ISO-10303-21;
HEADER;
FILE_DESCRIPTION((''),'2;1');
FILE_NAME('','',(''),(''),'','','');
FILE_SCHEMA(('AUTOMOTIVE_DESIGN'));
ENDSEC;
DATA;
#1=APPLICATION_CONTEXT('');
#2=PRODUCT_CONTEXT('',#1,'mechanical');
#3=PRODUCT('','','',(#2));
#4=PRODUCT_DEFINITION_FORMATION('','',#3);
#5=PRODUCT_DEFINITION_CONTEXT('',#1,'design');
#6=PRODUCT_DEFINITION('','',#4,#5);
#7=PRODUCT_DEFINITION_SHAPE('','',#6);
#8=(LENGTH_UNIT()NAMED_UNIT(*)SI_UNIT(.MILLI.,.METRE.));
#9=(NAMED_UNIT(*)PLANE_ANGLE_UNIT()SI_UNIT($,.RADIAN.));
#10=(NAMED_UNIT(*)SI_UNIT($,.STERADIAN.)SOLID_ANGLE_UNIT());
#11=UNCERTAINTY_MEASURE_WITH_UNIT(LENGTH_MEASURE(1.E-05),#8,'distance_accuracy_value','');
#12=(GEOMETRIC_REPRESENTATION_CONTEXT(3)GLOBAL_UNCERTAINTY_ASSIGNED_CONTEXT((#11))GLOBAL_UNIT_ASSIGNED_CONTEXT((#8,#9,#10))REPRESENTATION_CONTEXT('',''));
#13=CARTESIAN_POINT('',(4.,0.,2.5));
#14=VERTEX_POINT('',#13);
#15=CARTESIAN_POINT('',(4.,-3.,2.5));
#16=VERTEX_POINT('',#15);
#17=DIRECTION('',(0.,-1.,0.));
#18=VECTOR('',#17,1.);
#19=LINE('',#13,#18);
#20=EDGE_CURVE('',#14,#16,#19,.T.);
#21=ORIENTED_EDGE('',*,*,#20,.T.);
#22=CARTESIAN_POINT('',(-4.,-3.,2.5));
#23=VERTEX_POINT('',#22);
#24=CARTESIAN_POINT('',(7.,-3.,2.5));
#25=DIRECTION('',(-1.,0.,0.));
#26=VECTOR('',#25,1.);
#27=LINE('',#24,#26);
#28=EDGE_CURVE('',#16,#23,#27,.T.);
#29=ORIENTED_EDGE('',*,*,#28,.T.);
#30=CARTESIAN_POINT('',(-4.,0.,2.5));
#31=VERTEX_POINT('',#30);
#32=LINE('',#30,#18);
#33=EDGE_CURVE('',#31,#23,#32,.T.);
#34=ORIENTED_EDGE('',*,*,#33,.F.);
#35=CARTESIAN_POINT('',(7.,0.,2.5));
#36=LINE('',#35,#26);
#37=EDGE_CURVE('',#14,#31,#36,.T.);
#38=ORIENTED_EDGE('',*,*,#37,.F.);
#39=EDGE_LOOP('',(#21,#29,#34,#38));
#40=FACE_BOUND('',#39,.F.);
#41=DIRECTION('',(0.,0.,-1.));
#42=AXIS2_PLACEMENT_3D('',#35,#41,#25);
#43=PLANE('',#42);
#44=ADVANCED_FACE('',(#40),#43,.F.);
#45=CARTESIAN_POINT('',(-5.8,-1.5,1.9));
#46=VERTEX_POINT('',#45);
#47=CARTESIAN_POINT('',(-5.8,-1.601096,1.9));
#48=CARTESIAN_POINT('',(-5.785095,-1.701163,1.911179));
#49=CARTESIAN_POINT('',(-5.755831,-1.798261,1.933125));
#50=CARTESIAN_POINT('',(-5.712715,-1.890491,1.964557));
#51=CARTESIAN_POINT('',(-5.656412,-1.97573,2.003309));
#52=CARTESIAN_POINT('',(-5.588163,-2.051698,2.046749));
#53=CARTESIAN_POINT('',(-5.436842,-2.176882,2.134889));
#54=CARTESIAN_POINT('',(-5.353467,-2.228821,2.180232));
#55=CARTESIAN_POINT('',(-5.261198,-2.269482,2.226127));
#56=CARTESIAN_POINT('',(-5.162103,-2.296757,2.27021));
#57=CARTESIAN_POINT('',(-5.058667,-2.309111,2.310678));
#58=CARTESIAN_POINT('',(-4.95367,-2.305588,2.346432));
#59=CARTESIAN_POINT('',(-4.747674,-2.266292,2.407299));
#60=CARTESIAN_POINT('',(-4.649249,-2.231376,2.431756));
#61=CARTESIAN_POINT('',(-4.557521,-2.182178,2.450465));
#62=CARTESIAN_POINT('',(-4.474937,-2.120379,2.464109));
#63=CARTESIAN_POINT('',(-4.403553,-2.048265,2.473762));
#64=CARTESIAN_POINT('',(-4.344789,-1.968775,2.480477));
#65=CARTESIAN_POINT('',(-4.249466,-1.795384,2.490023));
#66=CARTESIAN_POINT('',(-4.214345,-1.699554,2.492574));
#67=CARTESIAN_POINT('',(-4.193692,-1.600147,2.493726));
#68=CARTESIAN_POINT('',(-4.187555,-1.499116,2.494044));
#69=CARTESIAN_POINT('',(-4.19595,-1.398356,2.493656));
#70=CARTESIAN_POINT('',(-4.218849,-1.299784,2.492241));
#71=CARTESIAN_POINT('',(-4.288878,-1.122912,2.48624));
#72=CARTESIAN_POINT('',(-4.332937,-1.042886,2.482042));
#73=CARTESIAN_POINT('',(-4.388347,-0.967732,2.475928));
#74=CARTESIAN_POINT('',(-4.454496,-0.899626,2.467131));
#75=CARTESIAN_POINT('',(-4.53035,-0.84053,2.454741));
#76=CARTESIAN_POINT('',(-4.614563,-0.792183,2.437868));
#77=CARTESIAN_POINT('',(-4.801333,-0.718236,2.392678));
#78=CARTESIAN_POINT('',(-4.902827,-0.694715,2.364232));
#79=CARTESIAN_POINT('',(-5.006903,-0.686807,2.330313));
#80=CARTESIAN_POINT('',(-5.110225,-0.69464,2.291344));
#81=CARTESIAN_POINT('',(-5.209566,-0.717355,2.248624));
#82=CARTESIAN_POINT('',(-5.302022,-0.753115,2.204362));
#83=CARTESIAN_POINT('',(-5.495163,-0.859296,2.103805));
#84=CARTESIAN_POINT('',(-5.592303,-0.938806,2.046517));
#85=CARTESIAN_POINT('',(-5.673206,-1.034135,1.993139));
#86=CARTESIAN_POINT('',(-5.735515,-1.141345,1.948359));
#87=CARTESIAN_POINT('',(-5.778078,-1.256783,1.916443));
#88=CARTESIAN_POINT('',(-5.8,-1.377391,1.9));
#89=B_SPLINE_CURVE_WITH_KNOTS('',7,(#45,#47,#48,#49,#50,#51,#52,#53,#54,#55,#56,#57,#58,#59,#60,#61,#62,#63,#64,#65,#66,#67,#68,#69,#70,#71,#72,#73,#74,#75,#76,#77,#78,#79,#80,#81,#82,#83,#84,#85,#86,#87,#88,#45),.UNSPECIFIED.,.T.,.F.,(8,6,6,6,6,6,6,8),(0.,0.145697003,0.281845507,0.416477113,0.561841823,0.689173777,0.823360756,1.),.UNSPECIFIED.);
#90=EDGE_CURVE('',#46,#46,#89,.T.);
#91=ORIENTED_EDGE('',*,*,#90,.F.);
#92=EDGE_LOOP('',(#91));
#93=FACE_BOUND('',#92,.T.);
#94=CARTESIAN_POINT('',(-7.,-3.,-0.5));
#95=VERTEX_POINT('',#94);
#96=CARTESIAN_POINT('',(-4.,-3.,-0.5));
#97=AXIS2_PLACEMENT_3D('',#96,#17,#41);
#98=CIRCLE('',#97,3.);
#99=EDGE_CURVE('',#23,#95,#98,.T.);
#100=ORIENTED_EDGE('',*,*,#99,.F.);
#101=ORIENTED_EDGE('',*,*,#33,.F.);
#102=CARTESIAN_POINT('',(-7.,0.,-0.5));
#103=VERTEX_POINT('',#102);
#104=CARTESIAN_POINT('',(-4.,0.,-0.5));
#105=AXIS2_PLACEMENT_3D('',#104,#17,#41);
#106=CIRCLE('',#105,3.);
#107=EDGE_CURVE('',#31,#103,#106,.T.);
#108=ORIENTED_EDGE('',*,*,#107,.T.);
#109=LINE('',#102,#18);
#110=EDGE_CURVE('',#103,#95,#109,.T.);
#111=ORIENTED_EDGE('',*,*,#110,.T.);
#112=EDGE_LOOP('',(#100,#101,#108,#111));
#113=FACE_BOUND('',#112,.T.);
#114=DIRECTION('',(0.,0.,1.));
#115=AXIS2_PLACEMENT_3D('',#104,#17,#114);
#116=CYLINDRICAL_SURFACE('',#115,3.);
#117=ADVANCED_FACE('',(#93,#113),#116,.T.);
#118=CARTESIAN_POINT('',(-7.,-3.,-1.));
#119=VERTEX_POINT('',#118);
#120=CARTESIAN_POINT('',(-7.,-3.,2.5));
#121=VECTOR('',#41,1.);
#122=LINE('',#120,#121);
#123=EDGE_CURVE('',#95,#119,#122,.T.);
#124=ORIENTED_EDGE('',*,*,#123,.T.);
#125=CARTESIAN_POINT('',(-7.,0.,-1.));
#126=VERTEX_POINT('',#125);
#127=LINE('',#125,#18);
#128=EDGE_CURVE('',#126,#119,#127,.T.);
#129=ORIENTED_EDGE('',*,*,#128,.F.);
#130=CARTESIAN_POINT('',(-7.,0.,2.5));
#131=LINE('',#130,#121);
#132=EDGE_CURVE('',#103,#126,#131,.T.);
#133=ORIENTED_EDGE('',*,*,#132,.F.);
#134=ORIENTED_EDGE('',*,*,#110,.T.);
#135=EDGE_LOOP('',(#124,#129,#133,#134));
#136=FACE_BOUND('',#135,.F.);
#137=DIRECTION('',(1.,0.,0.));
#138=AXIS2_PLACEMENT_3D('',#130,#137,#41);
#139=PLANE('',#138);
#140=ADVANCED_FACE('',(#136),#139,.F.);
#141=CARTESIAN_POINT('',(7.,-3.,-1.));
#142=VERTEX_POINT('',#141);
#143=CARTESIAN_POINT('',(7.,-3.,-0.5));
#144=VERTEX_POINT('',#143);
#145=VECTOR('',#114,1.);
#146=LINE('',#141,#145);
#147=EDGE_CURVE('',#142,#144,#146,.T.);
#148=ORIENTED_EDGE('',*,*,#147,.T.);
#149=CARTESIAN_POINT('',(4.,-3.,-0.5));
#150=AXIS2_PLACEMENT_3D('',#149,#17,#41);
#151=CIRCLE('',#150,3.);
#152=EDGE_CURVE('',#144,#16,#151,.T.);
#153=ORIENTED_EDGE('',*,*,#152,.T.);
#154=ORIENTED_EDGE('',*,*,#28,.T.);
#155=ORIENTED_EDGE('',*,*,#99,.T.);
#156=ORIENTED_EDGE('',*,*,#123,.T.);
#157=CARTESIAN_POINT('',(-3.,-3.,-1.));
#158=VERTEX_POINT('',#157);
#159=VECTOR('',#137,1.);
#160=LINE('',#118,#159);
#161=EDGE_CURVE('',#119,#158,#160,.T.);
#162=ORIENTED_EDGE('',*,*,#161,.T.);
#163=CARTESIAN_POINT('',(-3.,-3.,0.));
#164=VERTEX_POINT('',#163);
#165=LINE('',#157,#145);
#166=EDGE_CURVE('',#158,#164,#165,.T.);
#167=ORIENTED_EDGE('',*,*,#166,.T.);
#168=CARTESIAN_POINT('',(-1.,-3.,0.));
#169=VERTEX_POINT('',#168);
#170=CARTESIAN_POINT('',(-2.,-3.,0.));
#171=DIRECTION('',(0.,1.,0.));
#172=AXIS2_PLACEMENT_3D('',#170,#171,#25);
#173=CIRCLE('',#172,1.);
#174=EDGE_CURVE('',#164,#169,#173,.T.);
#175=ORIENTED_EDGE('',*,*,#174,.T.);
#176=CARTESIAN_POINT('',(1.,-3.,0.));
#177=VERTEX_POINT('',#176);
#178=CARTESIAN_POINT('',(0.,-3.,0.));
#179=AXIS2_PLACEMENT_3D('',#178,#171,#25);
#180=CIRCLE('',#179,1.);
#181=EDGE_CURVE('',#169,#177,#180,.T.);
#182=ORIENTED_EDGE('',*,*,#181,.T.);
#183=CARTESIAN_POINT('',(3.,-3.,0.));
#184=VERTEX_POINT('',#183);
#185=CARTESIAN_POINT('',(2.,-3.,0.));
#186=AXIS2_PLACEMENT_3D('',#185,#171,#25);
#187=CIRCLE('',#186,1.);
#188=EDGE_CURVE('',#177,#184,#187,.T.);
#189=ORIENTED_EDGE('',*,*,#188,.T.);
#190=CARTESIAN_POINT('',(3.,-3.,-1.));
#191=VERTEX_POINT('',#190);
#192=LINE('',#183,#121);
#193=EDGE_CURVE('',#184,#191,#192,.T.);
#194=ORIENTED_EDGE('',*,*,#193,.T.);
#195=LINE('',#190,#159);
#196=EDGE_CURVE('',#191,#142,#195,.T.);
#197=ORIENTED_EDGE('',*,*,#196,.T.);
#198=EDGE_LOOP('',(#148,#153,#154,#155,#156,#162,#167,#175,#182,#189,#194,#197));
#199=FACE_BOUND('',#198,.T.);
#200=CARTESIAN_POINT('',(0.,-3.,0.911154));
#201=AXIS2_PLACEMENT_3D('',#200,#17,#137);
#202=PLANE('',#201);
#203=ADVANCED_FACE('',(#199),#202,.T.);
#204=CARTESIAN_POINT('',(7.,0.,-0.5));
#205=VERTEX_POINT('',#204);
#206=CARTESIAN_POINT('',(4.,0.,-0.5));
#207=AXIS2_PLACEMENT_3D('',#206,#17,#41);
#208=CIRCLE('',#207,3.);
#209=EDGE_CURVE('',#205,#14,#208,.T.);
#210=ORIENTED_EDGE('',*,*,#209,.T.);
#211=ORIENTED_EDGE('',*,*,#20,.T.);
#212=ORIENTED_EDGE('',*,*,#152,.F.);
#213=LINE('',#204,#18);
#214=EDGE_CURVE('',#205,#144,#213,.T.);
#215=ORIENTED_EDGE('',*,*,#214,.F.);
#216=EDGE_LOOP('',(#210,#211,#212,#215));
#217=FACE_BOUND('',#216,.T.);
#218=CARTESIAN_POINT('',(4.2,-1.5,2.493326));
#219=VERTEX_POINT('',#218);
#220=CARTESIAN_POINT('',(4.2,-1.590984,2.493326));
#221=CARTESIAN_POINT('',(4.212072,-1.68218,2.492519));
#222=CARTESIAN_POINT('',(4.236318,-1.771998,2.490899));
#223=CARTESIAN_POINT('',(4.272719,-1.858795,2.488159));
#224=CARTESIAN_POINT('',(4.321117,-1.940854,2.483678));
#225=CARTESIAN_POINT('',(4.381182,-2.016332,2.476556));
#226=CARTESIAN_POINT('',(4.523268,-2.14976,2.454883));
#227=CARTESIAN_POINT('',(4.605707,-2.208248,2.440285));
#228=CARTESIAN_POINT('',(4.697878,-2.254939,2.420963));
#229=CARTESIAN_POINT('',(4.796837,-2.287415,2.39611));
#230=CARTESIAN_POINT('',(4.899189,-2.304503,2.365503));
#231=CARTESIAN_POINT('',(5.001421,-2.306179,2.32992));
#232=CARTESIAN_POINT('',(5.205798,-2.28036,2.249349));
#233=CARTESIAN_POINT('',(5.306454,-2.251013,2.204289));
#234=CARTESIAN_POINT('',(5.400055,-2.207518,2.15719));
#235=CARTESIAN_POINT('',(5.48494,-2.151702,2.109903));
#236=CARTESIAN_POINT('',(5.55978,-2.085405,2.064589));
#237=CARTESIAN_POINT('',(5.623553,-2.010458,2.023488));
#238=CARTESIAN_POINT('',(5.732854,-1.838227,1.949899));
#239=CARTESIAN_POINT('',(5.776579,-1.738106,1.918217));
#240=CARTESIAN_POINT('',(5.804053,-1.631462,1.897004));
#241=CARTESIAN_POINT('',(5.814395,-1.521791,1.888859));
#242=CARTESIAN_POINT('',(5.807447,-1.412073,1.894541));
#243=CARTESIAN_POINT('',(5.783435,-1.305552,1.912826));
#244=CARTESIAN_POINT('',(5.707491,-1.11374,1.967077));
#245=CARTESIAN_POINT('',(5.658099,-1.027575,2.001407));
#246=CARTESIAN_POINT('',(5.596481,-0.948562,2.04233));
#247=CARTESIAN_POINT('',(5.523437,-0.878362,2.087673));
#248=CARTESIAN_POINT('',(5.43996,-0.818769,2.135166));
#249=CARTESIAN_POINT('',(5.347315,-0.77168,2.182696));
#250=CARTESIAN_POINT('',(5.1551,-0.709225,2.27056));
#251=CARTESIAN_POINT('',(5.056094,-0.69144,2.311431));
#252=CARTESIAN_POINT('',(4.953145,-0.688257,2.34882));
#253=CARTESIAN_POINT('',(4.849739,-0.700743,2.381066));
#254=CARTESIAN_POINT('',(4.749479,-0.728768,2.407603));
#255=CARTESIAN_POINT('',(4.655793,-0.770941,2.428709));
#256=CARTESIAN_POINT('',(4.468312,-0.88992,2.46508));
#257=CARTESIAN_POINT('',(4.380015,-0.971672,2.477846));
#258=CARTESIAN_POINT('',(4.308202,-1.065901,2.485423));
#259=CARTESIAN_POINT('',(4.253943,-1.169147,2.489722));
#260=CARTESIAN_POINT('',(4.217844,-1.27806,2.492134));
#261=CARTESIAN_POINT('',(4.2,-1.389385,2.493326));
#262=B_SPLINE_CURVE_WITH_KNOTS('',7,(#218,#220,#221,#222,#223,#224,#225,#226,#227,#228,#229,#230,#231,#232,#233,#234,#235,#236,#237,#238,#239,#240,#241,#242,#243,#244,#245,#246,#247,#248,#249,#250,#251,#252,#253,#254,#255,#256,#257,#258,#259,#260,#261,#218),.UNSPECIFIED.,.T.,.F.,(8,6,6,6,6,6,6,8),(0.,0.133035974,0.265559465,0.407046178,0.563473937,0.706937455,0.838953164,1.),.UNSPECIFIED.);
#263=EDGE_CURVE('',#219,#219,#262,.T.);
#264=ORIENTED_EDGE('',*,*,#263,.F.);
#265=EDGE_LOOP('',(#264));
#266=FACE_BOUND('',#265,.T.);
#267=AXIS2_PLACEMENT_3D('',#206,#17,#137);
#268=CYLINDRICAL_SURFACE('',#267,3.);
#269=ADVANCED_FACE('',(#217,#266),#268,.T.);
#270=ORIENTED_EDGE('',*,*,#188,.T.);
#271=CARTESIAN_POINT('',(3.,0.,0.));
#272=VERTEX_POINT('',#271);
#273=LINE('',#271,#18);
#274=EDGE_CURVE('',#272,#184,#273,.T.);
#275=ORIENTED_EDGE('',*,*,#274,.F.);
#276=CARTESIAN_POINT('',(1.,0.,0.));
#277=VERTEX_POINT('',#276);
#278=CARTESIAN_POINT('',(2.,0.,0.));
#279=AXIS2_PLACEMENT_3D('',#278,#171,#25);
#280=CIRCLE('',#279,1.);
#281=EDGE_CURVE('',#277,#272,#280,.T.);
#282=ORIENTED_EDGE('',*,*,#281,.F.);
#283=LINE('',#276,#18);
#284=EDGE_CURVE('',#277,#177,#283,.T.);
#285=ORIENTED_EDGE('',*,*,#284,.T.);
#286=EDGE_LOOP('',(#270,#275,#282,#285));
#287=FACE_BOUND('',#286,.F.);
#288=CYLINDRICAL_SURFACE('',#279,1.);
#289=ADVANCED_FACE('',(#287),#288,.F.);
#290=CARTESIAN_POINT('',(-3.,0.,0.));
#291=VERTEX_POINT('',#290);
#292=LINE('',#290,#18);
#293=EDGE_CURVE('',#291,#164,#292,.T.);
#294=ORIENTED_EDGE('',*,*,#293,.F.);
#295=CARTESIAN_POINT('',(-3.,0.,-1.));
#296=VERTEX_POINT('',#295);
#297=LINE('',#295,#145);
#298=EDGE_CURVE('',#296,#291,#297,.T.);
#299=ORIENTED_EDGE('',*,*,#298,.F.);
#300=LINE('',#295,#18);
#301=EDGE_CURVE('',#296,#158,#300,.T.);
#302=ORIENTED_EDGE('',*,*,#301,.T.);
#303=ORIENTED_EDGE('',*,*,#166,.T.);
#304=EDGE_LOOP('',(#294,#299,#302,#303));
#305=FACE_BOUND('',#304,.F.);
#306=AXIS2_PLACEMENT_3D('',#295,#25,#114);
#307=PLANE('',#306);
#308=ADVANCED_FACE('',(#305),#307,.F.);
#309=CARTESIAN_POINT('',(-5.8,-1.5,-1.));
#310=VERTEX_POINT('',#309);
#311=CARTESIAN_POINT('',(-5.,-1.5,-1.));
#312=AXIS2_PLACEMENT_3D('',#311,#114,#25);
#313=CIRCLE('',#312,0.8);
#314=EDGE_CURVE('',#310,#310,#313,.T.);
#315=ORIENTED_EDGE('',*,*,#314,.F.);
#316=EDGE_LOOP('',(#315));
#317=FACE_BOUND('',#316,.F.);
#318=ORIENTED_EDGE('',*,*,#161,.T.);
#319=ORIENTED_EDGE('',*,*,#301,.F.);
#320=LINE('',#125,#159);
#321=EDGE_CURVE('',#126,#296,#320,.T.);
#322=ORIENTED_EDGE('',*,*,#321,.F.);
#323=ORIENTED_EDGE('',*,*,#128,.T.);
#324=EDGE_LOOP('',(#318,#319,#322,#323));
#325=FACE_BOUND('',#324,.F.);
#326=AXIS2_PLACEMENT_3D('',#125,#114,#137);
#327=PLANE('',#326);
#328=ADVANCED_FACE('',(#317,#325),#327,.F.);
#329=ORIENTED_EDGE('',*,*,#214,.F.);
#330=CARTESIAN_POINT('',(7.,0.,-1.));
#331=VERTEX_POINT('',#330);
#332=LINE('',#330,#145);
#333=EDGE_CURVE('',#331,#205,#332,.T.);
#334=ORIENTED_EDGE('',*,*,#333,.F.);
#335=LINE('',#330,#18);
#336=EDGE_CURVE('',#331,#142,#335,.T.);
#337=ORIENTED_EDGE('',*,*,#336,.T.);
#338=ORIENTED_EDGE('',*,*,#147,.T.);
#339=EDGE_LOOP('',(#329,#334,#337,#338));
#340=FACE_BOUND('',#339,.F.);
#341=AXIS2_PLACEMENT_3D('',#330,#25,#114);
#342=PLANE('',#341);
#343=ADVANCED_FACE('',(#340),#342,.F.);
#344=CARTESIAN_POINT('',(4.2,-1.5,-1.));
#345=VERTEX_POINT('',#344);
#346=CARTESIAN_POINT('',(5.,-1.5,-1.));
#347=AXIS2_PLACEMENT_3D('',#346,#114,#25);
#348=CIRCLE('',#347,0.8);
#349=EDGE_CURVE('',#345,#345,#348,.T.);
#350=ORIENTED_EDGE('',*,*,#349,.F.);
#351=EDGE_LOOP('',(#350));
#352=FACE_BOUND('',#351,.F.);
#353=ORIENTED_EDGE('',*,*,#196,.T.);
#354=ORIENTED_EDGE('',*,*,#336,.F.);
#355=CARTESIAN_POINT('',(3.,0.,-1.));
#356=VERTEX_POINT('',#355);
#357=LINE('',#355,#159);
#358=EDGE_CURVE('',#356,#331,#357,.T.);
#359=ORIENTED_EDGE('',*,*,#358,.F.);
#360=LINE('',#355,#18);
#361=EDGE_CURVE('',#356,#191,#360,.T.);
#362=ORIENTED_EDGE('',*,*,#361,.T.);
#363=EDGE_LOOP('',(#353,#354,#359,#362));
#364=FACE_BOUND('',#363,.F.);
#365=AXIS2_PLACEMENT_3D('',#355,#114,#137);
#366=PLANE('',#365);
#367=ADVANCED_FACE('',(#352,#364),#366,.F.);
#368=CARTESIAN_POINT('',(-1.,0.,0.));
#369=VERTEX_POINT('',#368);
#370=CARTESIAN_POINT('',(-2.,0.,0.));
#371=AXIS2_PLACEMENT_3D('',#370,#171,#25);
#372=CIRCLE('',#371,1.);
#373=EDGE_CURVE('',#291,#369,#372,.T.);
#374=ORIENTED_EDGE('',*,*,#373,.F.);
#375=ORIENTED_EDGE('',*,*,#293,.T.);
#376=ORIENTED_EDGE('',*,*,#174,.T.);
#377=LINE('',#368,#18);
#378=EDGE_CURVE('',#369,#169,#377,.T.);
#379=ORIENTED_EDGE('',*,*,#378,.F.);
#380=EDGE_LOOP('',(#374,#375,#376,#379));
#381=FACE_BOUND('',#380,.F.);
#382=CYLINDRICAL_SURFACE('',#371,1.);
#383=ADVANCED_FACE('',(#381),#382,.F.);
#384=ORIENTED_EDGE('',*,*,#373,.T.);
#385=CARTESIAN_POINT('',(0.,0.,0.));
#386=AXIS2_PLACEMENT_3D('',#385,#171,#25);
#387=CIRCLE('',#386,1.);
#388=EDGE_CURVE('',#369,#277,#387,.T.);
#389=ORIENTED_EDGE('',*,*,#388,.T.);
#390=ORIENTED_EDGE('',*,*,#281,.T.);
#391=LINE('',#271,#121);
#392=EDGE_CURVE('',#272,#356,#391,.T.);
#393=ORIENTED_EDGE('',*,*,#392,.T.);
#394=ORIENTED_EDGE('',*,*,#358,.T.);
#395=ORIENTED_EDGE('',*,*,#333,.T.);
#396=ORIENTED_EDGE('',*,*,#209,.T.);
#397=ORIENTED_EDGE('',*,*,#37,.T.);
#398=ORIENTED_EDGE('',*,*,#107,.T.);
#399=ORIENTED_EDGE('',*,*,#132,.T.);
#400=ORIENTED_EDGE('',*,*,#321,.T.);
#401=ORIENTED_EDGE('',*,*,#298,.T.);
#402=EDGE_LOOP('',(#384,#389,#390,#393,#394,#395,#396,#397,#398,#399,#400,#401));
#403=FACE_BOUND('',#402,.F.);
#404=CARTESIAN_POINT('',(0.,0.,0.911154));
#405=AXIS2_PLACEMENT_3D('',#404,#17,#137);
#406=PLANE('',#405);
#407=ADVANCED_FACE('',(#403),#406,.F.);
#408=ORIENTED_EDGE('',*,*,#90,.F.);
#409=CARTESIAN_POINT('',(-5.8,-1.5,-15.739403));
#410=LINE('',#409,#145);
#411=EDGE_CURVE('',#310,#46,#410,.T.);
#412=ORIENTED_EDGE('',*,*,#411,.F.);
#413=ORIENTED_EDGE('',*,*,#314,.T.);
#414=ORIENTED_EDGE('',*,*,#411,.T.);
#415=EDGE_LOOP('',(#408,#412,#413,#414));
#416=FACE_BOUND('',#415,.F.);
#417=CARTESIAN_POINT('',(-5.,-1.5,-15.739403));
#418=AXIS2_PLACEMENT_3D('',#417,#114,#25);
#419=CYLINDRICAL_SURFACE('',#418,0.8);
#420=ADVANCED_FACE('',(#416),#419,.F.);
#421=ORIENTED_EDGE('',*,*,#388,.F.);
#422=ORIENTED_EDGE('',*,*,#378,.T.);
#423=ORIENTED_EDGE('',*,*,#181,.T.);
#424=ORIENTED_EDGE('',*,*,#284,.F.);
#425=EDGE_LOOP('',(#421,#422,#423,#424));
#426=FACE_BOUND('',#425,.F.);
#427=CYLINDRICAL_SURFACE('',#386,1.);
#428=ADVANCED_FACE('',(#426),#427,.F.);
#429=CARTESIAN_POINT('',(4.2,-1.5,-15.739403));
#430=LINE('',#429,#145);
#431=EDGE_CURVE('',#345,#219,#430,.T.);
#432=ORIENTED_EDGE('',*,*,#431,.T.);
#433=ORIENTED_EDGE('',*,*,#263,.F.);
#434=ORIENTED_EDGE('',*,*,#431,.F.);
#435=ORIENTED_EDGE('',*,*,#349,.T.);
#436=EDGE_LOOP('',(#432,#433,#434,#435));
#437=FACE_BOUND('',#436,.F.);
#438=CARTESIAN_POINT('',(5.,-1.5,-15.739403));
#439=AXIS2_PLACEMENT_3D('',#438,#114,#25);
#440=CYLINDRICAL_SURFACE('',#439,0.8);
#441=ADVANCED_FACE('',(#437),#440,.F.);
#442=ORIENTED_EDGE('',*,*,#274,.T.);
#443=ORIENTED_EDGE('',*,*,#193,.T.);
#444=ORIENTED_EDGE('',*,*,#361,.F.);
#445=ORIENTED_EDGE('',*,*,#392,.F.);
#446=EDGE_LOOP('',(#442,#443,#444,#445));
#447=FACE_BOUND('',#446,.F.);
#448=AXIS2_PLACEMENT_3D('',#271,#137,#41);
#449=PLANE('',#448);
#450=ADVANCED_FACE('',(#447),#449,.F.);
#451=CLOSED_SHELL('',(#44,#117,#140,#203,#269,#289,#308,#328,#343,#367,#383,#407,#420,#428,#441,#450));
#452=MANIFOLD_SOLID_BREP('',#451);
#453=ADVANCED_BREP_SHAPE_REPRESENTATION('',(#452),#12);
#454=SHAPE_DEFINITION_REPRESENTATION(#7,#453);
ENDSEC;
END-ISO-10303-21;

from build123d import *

# Parameters (mm, degrees)
F1_DEPTH = 3
F2_R     = 3
F4_D     = 1.6


with BuildPart() as f1:
    # F0 (on Front) → F1 (new body)
    with BuildSketch(Plane.XZ):
        with BuildLine():
            ThreePointArc((1, 0), (2, 1), (3, 0))
            Line((3, 0), (3, -1))
            Line((3, -1), (7, -1))
            Line((7, -1), (7, 2.5))
            Line((7, 2.5), (-7, 2.5))
            Line((-7, 2.5), (-7, -1))
            Line((-7, -1), (-3, -1))
            Line((-3, -1), (-3, 0))
            ThreePointArc((-3, 0), (-2, 1), (-1, 0))
            ThreePointArc((-1, 0), (0, 1), (1, 0))
        make_face()
    extrude(amount=F1_DEPTH)

    # F2
    f2_edges = [f1.edges().sort_by_distance(p)[0] for p in [
        (7, -1.5, 2.5),
        (-7, -1.5, 2.5),
    ]]
    fillet(f2_edges, radius=F2_R)

    # F4 (through all)
    with Locations(Plane(origin=(0, 0, -1), x_dir=(1, 0, 0), z_dir=(0, 0, -1))):
        with Locations((-5, 1.5), (5, 1.5)):
            Hole(F4_D / 2)


solid = f1.part
